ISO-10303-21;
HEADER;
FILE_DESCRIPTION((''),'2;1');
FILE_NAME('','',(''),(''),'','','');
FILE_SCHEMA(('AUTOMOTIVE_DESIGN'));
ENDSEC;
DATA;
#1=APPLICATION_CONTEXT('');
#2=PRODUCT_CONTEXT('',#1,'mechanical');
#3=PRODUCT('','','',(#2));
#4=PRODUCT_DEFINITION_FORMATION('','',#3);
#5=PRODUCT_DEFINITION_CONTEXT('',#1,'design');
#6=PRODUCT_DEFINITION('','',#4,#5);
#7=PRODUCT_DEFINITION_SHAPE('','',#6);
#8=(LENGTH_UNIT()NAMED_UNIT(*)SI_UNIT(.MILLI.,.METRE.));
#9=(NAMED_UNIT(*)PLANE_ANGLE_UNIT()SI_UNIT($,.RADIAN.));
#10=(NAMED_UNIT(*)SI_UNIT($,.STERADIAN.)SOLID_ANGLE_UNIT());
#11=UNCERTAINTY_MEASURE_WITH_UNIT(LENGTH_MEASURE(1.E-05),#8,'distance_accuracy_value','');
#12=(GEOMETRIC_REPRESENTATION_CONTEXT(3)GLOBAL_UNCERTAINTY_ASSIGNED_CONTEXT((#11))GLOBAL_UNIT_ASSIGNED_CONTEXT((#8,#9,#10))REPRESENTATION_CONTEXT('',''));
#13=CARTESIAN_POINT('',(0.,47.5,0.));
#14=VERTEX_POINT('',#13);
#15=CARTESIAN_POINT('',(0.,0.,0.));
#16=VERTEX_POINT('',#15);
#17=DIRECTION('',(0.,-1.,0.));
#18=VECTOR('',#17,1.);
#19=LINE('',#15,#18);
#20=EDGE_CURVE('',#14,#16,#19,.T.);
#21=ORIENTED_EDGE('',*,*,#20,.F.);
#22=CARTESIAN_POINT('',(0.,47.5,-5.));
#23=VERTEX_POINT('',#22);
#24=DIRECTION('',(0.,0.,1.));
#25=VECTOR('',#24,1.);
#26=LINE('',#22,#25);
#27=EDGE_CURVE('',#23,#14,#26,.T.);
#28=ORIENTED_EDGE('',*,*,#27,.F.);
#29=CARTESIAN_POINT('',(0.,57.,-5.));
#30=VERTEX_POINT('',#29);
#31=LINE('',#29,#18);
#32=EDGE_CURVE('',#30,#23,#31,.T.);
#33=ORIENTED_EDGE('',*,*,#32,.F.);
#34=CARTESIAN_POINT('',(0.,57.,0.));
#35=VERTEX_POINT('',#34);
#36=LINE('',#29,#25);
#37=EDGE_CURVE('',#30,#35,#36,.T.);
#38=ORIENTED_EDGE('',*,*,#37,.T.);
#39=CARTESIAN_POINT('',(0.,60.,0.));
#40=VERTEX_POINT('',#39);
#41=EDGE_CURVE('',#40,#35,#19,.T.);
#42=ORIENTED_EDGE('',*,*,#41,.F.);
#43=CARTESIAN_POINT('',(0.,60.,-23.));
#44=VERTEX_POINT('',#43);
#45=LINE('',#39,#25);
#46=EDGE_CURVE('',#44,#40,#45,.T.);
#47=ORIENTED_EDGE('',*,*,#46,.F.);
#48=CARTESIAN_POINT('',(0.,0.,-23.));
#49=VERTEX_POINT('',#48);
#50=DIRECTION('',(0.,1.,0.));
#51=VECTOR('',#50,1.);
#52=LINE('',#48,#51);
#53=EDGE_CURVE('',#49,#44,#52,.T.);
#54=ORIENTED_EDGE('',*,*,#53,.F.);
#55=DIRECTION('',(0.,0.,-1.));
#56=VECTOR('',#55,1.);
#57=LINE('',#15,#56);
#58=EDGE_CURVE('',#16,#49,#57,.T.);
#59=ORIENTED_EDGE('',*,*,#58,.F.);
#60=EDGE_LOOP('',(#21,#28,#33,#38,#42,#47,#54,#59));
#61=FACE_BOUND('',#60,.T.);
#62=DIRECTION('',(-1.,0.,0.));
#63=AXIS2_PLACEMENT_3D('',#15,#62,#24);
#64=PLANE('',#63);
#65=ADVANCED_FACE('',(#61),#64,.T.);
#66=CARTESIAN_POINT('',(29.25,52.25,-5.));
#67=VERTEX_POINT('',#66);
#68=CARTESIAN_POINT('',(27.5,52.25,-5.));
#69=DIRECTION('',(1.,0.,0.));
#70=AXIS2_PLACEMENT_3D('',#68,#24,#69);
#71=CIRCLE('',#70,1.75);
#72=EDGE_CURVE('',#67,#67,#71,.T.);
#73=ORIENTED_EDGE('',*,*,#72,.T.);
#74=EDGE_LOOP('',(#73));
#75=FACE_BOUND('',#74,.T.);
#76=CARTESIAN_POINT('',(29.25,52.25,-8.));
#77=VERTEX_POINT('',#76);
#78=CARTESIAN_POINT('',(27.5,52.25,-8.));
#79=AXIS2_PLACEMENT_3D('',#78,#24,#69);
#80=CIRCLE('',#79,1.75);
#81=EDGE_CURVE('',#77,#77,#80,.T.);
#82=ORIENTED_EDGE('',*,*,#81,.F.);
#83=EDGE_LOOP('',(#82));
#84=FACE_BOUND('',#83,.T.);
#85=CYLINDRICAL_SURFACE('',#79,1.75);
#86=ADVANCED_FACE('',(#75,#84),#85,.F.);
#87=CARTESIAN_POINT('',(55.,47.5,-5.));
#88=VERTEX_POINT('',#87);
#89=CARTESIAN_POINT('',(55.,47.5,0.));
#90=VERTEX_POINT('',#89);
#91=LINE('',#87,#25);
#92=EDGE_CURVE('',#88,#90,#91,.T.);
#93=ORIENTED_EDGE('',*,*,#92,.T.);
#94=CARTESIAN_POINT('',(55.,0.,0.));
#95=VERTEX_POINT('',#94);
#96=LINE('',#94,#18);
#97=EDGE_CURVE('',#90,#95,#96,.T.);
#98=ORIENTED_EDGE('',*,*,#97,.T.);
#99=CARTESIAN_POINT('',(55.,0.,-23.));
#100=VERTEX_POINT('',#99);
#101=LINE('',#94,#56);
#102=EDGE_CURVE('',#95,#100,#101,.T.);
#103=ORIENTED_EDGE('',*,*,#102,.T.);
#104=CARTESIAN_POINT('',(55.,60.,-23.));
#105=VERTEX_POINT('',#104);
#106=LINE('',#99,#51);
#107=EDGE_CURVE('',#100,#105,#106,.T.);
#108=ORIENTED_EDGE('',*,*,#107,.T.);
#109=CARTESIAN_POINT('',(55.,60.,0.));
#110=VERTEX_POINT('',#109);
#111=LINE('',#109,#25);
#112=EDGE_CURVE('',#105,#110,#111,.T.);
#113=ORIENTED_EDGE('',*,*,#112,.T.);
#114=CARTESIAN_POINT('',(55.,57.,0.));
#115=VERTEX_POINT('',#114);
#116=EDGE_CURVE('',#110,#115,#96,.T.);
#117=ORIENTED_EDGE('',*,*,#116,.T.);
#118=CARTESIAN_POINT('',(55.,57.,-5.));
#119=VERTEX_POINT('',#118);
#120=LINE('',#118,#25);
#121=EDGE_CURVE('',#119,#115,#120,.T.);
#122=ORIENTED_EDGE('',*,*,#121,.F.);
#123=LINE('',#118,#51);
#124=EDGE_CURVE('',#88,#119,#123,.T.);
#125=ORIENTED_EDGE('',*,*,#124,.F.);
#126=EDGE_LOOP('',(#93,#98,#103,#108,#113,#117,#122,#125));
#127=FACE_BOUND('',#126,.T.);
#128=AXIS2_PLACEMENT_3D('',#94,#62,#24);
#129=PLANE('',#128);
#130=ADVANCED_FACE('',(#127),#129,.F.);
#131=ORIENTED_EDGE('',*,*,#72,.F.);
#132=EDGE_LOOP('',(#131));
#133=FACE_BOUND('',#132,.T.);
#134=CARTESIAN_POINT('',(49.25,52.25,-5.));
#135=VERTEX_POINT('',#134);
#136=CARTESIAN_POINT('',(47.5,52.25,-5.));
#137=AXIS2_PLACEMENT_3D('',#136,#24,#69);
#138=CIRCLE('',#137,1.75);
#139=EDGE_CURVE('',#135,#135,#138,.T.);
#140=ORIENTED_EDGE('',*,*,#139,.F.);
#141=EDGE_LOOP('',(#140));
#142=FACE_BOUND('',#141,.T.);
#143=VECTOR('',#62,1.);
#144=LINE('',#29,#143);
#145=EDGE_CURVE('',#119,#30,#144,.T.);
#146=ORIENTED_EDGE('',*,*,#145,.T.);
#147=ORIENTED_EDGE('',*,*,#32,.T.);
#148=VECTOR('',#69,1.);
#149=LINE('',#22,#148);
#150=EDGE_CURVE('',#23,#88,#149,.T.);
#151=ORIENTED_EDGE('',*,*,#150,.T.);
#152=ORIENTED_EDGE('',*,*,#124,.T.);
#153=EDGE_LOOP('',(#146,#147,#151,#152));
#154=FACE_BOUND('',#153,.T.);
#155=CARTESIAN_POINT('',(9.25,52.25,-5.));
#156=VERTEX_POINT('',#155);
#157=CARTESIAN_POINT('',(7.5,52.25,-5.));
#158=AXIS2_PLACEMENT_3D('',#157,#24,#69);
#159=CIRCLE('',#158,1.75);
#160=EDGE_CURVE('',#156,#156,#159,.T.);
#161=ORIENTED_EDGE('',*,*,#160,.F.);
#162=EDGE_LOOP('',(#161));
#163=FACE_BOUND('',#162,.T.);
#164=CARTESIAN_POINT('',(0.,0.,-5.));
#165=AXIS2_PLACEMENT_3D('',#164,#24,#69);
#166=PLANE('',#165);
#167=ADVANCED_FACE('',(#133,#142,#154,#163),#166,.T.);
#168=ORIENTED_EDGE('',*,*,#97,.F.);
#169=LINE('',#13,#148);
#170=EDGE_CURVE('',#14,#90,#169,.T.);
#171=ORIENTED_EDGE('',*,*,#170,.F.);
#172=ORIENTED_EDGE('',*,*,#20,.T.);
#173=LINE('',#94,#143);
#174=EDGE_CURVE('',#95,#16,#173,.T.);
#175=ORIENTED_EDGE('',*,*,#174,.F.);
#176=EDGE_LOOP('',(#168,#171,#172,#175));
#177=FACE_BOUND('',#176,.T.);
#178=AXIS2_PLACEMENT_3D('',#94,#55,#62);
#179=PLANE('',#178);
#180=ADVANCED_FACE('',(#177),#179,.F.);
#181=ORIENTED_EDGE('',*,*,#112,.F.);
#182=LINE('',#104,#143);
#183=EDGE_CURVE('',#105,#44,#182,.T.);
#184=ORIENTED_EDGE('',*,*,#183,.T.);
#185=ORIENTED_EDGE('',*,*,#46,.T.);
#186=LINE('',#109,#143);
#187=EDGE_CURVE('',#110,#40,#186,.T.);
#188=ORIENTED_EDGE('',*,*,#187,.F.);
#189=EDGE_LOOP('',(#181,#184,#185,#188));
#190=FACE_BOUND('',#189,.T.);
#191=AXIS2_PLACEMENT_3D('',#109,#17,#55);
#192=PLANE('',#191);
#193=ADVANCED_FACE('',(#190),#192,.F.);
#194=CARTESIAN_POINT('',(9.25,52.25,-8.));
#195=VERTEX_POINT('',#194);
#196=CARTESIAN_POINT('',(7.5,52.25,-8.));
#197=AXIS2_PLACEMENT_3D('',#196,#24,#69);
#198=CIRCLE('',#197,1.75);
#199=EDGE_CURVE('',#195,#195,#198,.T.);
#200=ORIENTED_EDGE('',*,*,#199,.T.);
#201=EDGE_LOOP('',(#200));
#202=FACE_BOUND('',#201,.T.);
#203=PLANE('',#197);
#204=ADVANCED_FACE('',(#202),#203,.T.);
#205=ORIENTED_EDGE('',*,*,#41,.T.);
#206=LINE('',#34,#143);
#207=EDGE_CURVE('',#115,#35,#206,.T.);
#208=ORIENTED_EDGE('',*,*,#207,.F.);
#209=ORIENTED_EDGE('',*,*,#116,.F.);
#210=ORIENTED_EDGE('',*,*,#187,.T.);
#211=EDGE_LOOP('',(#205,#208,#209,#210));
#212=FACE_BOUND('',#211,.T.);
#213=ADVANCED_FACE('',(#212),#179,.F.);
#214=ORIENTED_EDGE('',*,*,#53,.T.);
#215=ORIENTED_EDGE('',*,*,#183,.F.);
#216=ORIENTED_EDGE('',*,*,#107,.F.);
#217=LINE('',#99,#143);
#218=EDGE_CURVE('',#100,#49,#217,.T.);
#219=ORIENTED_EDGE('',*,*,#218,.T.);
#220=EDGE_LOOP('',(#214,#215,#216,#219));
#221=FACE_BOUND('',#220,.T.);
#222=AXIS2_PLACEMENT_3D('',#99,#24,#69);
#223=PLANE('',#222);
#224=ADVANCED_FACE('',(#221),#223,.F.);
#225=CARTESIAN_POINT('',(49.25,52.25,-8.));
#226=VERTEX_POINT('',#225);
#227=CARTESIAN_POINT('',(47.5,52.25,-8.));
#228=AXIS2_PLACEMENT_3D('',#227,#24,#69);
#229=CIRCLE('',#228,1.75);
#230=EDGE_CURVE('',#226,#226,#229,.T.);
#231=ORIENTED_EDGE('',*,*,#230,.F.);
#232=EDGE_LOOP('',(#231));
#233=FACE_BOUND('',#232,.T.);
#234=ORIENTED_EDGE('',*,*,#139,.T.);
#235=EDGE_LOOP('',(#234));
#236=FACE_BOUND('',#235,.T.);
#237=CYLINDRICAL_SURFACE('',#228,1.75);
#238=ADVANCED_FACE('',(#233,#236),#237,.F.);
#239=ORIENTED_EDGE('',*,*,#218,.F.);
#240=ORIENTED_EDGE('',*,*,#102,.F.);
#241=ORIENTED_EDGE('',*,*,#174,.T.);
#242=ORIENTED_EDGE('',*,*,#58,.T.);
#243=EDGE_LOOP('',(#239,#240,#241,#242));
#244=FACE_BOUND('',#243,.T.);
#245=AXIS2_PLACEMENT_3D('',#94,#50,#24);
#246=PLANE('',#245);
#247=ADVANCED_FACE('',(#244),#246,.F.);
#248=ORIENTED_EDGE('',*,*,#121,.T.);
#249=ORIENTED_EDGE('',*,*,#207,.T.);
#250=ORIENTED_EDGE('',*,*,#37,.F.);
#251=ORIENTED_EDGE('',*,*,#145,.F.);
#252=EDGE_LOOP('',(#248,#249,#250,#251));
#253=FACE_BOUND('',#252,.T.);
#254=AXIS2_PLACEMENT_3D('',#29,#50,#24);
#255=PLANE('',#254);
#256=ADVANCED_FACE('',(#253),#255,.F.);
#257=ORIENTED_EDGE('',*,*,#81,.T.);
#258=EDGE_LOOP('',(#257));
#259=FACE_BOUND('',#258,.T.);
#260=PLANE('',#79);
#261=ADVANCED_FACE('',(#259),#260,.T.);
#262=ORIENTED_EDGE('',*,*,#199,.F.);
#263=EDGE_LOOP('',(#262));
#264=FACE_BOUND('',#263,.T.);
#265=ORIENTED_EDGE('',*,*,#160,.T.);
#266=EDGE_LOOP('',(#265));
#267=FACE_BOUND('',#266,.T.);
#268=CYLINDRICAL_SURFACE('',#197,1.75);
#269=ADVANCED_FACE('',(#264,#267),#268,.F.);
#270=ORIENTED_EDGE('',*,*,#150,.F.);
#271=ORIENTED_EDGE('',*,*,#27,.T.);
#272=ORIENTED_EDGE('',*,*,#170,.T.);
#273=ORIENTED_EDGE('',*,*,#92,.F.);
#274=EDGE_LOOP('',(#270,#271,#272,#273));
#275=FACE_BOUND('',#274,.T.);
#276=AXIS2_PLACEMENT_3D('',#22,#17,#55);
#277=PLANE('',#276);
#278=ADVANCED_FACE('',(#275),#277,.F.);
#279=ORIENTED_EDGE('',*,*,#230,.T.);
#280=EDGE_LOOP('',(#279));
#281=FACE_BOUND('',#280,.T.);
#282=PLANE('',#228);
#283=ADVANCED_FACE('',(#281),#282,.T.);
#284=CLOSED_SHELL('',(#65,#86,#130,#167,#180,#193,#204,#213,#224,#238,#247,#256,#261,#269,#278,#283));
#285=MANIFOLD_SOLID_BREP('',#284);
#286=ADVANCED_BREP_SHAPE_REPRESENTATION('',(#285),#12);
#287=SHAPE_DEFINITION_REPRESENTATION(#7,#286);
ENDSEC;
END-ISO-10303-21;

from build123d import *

# Parameters (mm, degrees)
SKETCH1_W           = 23
SKETCH1_H           = 60
BOSS_EXTRUDE1_DEPTH = 55
SKETCH2_W           = 55
SKETCH2_H           = 9.5
CUT_EXTRUDE1_DEPTH  = 5
SKETCH3_R           = 1.75
CUT_EXTRUDE2_DEPTH  = 3


with BuildPart() as part:
    # Sketch1 → Boss-Extrude1 (new body)
    with BuildSketch(Plane(origin=(0, 0, 0), x_dir=(0, 0, -1), z_dir=(1, 0, 0))):
        with Locations((11.5, 30)):
            Rectangle(SKETCH1_W, SKETCH1_H)
    extrude(amount=BOSS_EXTRUDE1_DEPTH)

    # Sketch2 → Cut-Extrude1 (cut)
    with BuildSketch(Plane.XY):
        with Locations((27.5, 52.25)):
            Rectangle(SKETCH2_W, SKETCH2_H)
    extrude(amount=-CUT_EXTRUDE1_DEPTH, mode=Mode.SUBTRACT)

    # Sketch3 → Cut-Extrude2 (cut)
    with BuildSketch(Plane.XY.offset(-5)):
        with Locations((7.5, 52.25)):
            Circle(SKETCH3_R)
        with Locations((27.5, 52.25)):
            Circle(SKETCH3_R)
        with Locations((47.5, 52.25)):
            Circle(SKETCH3_R)
    extrude(amount=-CUT_EXTRUDE2_DEPTH, mode=Mode.SUBTRACT)


solid = part.part
